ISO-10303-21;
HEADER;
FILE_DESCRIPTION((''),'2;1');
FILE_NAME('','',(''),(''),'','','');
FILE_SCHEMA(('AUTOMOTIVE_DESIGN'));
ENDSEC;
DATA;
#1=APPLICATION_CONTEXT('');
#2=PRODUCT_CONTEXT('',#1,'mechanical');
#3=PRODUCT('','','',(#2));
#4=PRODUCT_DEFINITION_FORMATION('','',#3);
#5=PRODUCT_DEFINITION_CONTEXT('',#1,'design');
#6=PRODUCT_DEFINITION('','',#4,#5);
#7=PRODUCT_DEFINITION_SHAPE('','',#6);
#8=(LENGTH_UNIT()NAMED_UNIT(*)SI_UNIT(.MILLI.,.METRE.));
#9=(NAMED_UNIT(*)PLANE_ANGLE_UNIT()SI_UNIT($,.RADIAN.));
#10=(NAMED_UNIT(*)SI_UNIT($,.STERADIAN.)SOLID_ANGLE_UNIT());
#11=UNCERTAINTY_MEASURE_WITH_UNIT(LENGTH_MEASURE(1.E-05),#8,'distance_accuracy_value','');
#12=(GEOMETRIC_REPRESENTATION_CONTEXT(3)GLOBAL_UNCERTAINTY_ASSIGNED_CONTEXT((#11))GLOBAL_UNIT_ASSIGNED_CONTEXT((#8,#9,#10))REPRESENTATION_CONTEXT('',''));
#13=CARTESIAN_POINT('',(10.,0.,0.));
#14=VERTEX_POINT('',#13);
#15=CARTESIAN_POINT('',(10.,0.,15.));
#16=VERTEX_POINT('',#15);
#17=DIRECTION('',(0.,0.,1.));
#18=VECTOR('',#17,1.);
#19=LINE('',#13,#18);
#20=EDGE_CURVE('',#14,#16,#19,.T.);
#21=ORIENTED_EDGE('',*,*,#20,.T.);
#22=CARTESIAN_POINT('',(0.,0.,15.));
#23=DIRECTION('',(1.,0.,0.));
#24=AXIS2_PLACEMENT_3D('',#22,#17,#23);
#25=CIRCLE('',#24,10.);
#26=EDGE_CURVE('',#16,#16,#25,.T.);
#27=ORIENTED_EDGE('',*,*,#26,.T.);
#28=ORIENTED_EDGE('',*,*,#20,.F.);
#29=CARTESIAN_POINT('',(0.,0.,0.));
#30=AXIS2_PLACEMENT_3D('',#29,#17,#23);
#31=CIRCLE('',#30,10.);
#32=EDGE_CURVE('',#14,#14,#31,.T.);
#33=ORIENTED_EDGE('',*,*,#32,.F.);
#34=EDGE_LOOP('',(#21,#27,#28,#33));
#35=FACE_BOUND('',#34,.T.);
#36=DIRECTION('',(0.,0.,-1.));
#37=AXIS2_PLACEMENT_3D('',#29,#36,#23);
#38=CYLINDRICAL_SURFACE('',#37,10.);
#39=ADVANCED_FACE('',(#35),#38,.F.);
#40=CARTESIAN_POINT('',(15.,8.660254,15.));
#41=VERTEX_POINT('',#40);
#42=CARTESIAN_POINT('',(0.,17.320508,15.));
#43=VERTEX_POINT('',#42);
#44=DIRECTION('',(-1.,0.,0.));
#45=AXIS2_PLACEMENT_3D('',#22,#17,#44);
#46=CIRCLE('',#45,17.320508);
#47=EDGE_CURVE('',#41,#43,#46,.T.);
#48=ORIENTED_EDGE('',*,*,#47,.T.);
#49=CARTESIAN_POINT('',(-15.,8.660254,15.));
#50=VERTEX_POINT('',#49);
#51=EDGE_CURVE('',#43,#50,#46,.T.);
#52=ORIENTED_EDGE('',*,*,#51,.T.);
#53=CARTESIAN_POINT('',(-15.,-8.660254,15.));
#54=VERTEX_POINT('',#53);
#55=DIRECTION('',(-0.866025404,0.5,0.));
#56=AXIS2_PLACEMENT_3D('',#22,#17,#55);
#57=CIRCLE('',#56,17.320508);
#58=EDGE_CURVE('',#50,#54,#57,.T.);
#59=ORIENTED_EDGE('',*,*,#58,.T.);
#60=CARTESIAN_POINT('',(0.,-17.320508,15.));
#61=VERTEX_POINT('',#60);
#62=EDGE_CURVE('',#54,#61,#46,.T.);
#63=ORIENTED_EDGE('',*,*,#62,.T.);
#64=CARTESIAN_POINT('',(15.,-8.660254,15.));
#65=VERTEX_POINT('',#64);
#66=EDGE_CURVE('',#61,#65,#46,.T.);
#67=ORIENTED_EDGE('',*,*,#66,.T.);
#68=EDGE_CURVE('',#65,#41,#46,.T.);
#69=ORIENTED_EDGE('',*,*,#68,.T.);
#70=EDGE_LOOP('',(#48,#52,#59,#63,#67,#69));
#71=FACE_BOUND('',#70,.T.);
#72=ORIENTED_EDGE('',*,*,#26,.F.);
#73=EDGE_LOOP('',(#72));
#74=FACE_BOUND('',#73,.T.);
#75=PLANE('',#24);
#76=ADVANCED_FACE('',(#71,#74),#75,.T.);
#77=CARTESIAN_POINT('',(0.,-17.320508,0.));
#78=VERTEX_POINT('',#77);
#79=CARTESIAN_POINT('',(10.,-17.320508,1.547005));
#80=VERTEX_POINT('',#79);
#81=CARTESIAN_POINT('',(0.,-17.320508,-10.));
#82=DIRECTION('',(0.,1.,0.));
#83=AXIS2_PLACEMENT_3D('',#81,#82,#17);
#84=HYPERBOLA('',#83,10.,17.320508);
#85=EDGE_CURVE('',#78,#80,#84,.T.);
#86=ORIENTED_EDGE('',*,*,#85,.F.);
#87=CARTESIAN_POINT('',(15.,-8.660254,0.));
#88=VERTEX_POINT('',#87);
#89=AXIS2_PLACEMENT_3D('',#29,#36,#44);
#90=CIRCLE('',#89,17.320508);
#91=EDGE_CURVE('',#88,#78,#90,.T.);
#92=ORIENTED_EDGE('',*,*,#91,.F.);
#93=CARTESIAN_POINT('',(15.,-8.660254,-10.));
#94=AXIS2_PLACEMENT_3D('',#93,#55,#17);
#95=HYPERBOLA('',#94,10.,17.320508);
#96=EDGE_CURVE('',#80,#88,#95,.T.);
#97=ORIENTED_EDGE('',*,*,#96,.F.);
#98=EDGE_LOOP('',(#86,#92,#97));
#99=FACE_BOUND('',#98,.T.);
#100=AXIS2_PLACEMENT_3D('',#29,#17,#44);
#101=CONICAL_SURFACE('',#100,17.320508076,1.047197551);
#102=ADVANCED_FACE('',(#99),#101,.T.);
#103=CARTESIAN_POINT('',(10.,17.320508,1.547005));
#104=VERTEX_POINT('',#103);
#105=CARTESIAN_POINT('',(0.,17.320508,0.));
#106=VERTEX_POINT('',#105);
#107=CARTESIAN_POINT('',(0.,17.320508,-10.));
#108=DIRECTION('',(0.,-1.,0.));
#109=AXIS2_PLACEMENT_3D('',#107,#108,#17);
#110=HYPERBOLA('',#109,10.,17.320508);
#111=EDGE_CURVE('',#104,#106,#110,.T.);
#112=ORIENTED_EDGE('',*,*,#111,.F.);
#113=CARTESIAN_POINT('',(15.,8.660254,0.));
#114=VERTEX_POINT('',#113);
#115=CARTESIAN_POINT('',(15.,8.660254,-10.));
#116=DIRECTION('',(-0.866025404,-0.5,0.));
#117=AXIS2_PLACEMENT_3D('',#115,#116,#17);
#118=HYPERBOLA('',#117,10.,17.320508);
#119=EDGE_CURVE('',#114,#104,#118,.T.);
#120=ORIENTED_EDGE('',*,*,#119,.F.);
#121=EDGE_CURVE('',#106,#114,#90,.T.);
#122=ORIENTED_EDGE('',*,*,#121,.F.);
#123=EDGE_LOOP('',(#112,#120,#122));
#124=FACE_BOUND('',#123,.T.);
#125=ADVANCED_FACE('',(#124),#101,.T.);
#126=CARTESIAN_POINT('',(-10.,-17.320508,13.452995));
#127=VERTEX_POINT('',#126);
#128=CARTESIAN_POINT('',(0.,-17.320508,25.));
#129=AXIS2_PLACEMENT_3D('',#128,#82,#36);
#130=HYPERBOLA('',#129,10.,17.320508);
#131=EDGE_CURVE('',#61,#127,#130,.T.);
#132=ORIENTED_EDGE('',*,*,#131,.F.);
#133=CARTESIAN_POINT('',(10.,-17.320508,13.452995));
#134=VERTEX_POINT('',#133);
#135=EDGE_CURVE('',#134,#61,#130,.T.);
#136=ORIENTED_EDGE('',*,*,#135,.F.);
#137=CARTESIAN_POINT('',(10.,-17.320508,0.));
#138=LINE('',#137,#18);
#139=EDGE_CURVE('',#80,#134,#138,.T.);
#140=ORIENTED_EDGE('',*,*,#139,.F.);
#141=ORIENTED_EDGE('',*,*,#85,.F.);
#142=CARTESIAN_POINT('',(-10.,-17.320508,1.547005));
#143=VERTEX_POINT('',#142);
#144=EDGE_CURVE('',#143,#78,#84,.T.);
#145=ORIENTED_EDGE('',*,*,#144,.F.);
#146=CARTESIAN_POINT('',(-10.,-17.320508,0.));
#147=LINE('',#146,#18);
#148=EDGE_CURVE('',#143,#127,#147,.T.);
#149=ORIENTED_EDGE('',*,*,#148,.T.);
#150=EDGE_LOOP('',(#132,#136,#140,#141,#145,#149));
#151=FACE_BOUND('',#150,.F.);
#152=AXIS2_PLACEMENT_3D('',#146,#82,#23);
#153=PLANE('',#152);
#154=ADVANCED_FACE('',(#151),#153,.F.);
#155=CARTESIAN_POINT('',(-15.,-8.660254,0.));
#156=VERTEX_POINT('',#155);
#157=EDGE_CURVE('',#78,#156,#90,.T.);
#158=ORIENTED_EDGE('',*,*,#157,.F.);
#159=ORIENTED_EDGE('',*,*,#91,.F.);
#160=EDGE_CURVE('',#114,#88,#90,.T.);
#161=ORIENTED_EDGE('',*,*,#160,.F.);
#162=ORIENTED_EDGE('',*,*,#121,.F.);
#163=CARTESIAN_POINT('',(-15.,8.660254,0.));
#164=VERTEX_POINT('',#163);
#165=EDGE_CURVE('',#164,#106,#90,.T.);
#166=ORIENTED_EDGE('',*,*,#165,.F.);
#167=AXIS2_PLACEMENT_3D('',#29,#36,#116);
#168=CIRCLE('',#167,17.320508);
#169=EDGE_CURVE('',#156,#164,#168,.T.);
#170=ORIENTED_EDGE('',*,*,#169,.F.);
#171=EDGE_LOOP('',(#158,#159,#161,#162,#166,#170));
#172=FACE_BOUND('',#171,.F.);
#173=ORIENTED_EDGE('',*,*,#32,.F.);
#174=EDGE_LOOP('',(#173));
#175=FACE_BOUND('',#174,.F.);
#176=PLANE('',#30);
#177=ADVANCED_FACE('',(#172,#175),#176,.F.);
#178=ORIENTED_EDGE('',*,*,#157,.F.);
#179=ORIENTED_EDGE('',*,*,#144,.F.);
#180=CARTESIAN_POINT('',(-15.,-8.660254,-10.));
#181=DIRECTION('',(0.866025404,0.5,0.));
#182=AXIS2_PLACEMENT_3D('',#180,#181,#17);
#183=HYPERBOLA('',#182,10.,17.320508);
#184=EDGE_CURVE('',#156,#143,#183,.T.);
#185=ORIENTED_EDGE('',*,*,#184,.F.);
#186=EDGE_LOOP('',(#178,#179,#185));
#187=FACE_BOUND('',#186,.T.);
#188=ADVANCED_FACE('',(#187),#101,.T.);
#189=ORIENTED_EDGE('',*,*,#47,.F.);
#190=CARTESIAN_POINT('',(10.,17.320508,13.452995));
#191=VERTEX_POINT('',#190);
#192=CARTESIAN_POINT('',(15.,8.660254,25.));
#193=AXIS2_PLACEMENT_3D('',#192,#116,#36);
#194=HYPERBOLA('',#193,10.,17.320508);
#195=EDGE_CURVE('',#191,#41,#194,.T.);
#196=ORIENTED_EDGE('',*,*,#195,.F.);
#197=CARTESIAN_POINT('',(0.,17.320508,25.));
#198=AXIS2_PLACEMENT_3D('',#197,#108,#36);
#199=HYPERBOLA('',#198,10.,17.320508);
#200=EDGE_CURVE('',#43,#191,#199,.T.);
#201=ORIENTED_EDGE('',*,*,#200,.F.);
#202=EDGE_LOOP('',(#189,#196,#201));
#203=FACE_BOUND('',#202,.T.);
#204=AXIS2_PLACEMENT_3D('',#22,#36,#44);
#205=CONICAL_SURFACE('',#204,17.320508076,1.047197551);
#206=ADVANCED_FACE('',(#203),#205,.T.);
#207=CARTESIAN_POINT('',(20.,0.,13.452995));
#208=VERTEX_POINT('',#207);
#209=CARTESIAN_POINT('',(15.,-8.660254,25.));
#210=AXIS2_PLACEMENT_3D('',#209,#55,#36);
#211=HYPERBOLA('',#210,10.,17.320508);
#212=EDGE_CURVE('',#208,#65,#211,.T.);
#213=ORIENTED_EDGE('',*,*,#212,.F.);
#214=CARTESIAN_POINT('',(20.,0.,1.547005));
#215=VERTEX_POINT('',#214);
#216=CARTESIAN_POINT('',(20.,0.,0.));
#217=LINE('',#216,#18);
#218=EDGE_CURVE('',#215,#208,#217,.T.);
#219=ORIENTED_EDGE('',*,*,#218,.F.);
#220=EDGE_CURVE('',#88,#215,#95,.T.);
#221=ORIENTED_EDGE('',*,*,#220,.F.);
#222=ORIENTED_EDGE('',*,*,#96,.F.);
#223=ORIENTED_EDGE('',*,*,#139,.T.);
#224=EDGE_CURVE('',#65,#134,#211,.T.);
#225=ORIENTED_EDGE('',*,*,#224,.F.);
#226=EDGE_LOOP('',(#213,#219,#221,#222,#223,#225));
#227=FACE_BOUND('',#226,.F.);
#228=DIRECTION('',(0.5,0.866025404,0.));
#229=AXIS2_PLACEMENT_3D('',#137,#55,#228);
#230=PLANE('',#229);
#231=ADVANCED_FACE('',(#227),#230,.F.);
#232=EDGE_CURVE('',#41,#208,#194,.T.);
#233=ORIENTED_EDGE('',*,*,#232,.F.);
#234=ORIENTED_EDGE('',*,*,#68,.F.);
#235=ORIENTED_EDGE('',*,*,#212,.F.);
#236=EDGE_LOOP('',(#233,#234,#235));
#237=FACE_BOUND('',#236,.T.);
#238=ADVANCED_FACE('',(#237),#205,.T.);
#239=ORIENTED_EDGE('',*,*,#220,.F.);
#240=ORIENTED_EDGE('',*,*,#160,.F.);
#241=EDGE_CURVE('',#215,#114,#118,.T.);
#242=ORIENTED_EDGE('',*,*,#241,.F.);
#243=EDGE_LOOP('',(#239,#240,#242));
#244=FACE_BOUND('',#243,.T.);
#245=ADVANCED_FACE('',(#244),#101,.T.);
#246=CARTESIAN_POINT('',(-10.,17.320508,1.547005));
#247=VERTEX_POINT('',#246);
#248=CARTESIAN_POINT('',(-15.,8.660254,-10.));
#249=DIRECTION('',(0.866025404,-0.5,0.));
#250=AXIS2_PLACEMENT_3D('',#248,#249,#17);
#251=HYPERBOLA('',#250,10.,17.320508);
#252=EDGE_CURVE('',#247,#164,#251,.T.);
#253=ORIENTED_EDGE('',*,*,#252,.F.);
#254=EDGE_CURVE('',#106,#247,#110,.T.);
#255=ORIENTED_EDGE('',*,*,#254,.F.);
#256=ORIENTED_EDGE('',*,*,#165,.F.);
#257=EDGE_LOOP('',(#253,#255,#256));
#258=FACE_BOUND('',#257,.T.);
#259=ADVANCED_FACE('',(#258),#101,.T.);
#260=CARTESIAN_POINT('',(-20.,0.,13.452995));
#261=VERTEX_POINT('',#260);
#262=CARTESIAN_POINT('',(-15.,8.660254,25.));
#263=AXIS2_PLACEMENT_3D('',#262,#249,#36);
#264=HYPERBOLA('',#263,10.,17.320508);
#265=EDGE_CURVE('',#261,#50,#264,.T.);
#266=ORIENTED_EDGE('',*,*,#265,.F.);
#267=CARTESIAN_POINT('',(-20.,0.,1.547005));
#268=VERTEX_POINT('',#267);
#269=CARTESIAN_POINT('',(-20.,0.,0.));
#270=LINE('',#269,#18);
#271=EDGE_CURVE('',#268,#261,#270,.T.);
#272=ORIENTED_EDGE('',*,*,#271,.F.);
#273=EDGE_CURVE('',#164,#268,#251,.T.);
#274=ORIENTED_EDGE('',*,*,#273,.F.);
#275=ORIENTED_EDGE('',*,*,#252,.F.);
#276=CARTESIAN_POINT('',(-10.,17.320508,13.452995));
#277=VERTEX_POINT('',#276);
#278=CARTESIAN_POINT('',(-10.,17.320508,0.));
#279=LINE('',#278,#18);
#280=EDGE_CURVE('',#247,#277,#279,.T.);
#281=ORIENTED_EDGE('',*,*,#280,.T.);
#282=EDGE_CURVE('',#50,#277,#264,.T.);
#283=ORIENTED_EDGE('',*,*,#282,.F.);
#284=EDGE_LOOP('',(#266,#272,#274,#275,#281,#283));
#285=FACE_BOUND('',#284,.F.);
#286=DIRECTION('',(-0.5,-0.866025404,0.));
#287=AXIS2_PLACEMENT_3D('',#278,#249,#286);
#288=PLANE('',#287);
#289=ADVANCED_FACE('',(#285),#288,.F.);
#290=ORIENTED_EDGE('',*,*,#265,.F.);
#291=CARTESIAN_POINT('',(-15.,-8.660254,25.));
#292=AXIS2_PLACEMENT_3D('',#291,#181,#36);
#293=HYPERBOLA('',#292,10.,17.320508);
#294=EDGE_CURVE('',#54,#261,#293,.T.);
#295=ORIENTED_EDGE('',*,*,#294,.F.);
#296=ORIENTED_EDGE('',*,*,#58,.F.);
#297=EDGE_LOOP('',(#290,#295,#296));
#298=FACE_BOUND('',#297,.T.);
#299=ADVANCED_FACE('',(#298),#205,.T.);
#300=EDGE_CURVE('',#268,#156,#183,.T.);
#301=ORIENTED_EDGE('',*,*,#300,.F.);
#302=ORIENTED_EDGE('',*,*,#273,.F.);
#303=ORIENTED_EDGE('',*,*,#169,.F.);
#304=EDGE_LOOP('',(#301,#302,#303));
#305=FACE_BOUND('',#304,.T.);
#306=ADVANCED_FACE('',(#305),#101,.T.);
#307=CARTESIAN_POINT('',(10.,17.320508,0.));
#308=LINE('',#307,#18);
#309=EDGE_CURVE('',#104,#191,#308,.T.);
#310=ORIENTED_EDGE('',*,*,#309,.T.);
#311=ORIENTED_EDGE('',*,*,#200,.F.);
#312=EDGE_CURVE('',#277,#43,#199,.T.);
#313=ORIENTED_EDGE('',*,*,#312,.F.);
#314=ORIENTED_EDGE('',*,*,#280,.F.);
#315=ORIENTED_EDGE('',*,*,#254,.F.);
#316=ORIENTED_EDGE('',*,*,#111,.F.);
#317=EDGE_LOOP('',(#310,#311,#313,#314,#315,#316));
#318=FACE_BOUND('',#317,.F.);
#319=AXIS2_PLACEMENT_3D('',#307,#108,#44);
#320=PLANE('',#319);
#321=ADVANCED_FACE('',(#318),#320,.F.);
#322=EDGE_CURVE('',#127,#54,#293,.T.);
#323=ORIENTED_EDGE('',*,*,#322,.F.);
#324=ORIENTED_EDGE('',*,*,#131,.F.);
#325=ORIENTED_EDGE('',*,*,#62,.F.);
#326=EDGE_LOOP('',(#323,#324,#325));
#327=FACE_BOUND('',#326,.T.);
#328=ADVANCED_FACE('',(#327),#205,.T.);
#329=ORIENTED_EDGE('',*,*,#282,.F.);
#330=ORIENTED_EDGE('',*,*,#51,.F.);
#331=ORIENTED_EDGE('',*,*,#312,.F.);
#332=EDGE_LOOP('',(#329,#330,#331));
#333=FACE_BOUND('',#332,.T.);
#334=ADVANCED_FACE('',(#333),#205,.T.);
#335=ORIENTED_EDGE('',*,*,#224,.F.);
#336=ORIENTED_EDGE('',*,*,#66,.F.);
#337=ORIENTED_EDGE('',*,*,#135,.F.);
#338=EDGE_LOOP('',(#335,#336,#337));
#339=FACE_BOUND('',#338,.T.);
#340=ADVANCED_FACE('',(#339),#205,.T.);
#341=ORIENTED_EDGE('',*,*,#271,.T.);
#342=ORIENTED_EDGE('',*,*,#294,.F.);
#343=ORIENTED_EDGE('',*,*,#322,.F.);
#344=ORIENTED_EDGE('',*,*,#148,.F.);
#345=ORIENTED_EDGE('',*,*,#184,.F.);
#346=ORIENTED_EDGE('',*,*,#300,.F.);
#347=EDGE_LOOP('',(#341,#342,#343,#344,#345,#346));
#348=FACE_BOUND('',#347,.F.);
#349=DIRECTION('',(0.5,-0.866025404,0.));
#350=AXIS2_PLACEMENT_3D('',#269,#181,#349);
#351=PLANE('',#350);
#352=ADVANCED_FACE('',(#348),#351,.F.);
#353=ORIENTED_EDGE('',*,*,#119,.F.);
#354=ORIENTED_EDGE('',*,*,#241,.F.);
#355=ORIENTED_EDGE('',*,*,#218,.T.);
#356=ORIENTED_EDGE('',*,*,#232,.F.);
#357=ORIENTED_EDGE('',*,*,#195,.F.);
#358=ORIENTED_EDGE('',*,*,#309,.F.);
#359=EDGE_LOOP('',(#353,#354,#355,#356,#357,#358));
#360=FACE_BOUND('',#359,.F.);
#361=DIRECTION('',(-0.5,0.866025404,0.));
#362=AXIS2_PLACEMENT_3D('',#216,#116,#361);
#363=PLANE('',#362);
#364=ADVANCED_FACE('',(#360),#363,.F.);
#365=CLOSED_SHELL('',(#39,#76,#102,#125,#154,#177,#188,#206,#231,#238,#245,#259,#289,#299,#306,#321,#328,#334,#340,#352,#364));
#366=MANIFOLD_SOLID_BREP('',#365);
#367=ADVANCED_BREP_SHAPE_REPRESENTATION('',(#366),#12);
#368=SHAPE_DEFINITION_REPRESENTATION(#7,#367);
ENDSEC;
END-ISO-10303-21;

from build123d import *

# Parameters (mm, degrees)
SKETCH2_R               = 10
BOSS_EXTRUDE1_DEPTH     = 15
SKETCH3_OUTSIDE_W       = 104.962
SKETCH3_OUTSIDE_H       = 99.604
SKETCH3_OUTSIDE_R       = 17.320508076
CUT_EXTRUDE1_DEPTH      = 15
CUT_EXTRUDE1_DRAFT      = -60
MIRROR1_COPY_1_SKETCH_W = 104.962
MIRROR1_COPY_1_SKETCH_H = 99.604
MIRROR1_COPY_1_SKETCH_R = 17.320508076
MIRROR1_COPY_1_DEPTH    = 15
MIRROR1_COPY_1_DRAFT    = -60


with BuildPart() as part:
    # Sketch2 → Boss-Extrude1 (new body)
    with BuildSketch(Plane.XY):
        Polygon((20, 0), (10, 17.320508076), (-10, 17.320508076), (-20, 0), (-10, -17.320508076), (10, -17.320508076), align=None)
        Circle(SKETCH2_R, mode=Mode.SUBTRACT)
    extrude(amount=BOSS_EXTRUDE1_DEPTH)


with BuildPart() as cut_extrude1_tool:
    # Sketch3 outside → Cut-Extrude1 (with draft: the straight prism first)
    with BuildSketch(Plane(origin=(0, 0, 0), x_dir=(-1, 0, 0), z_dir=(0, 0, -1))):
        Rectangle(SKETCH3_OUTSIDE_W, SKETCH3_OUTSIDE_H)
        Circle(SKETCH3_OUTSIDE_R, mode=Mode.SUBTRACT)
    extrude(amount=-CUT_EXTRUDE1_DEPTH)
    # Cut-Extrude1: the draft: its side faces are tilted about the plane it starts from
    cut_extrude1_sides = [cut_extrude1_tool.faces().sort_by_distance(p)[0] for p in [
        (0, -49.802, 7.5),
        (-52.481, 0, 7.5),
        (0, 49.802, 7.5),
        (52.481, 0, 7.5),
        (17.320508076, 0, 7.5),
    ]]
    draft(cut_extrude1_sides, Plane(origin=(0, 0, 0), x_dir=(-1, 0, 0), z_dir=(0, 0, -1)), CUT_EXTRUDE1_DRAFT)


with BuildPart() as part_1:
    add(part.part)

    # Cut-Extrude1: cut by cut_extrude1_tool
    add(cut_extrude1_tool.part, mode=Mode.SUBTRACT)


with BuildPart() as mirror1_copy_1_tool:
    # Mirror1 copy 1 sketch → Mirror1 copy 1 (with draft: the straight prism first)
    with BuildSketch(Plane(origin=(0, 0, 15), x_dir=(-1, 0, 0), z_dir=(0, 0, 1))):
        Rectangle(MIRROR1_COPY_1_SKETCH_W, MIRROR1_COPY_1_SKETCH_H)
        Circle(MIRROR1_COPY_1_SKETCH_R, mode=Mode.SUBTRACT)
    extrude(amount=-MIRROR1_COPY_1_DEPTH)
    # Mirror1 copy 1: the draft: its side faces are tilted about the plane it starts from
    mirror1_copy_1_sides = [mirror1_copy_1_tool.faces().sort_by_distance(p)[0] for p in [
        (0, -49.802, 7.5),
        (-52.481, 0, 7.5),
        (0, 49.802, 7.5),
        (52.481, 0, 7.5),
        (17.320508076, 0, 7.5),
    ]]
    draft(mirror1_copy_1_sides, Plane(origin=(0, 0, 15), x_dir=(-1, 0, 0), z_dir=(0, 0, 1)), MIRROR1_COPY_1_DRAFT)


with BuildPart() as part_2:
    add(part_1.part)

    # Mirror1 copy 1: cut by mirror1_copy_1_tool
    add(mirror1_copy_1_tool.part, mode=Mode.SUBTRACT)


solid = part_2.part
